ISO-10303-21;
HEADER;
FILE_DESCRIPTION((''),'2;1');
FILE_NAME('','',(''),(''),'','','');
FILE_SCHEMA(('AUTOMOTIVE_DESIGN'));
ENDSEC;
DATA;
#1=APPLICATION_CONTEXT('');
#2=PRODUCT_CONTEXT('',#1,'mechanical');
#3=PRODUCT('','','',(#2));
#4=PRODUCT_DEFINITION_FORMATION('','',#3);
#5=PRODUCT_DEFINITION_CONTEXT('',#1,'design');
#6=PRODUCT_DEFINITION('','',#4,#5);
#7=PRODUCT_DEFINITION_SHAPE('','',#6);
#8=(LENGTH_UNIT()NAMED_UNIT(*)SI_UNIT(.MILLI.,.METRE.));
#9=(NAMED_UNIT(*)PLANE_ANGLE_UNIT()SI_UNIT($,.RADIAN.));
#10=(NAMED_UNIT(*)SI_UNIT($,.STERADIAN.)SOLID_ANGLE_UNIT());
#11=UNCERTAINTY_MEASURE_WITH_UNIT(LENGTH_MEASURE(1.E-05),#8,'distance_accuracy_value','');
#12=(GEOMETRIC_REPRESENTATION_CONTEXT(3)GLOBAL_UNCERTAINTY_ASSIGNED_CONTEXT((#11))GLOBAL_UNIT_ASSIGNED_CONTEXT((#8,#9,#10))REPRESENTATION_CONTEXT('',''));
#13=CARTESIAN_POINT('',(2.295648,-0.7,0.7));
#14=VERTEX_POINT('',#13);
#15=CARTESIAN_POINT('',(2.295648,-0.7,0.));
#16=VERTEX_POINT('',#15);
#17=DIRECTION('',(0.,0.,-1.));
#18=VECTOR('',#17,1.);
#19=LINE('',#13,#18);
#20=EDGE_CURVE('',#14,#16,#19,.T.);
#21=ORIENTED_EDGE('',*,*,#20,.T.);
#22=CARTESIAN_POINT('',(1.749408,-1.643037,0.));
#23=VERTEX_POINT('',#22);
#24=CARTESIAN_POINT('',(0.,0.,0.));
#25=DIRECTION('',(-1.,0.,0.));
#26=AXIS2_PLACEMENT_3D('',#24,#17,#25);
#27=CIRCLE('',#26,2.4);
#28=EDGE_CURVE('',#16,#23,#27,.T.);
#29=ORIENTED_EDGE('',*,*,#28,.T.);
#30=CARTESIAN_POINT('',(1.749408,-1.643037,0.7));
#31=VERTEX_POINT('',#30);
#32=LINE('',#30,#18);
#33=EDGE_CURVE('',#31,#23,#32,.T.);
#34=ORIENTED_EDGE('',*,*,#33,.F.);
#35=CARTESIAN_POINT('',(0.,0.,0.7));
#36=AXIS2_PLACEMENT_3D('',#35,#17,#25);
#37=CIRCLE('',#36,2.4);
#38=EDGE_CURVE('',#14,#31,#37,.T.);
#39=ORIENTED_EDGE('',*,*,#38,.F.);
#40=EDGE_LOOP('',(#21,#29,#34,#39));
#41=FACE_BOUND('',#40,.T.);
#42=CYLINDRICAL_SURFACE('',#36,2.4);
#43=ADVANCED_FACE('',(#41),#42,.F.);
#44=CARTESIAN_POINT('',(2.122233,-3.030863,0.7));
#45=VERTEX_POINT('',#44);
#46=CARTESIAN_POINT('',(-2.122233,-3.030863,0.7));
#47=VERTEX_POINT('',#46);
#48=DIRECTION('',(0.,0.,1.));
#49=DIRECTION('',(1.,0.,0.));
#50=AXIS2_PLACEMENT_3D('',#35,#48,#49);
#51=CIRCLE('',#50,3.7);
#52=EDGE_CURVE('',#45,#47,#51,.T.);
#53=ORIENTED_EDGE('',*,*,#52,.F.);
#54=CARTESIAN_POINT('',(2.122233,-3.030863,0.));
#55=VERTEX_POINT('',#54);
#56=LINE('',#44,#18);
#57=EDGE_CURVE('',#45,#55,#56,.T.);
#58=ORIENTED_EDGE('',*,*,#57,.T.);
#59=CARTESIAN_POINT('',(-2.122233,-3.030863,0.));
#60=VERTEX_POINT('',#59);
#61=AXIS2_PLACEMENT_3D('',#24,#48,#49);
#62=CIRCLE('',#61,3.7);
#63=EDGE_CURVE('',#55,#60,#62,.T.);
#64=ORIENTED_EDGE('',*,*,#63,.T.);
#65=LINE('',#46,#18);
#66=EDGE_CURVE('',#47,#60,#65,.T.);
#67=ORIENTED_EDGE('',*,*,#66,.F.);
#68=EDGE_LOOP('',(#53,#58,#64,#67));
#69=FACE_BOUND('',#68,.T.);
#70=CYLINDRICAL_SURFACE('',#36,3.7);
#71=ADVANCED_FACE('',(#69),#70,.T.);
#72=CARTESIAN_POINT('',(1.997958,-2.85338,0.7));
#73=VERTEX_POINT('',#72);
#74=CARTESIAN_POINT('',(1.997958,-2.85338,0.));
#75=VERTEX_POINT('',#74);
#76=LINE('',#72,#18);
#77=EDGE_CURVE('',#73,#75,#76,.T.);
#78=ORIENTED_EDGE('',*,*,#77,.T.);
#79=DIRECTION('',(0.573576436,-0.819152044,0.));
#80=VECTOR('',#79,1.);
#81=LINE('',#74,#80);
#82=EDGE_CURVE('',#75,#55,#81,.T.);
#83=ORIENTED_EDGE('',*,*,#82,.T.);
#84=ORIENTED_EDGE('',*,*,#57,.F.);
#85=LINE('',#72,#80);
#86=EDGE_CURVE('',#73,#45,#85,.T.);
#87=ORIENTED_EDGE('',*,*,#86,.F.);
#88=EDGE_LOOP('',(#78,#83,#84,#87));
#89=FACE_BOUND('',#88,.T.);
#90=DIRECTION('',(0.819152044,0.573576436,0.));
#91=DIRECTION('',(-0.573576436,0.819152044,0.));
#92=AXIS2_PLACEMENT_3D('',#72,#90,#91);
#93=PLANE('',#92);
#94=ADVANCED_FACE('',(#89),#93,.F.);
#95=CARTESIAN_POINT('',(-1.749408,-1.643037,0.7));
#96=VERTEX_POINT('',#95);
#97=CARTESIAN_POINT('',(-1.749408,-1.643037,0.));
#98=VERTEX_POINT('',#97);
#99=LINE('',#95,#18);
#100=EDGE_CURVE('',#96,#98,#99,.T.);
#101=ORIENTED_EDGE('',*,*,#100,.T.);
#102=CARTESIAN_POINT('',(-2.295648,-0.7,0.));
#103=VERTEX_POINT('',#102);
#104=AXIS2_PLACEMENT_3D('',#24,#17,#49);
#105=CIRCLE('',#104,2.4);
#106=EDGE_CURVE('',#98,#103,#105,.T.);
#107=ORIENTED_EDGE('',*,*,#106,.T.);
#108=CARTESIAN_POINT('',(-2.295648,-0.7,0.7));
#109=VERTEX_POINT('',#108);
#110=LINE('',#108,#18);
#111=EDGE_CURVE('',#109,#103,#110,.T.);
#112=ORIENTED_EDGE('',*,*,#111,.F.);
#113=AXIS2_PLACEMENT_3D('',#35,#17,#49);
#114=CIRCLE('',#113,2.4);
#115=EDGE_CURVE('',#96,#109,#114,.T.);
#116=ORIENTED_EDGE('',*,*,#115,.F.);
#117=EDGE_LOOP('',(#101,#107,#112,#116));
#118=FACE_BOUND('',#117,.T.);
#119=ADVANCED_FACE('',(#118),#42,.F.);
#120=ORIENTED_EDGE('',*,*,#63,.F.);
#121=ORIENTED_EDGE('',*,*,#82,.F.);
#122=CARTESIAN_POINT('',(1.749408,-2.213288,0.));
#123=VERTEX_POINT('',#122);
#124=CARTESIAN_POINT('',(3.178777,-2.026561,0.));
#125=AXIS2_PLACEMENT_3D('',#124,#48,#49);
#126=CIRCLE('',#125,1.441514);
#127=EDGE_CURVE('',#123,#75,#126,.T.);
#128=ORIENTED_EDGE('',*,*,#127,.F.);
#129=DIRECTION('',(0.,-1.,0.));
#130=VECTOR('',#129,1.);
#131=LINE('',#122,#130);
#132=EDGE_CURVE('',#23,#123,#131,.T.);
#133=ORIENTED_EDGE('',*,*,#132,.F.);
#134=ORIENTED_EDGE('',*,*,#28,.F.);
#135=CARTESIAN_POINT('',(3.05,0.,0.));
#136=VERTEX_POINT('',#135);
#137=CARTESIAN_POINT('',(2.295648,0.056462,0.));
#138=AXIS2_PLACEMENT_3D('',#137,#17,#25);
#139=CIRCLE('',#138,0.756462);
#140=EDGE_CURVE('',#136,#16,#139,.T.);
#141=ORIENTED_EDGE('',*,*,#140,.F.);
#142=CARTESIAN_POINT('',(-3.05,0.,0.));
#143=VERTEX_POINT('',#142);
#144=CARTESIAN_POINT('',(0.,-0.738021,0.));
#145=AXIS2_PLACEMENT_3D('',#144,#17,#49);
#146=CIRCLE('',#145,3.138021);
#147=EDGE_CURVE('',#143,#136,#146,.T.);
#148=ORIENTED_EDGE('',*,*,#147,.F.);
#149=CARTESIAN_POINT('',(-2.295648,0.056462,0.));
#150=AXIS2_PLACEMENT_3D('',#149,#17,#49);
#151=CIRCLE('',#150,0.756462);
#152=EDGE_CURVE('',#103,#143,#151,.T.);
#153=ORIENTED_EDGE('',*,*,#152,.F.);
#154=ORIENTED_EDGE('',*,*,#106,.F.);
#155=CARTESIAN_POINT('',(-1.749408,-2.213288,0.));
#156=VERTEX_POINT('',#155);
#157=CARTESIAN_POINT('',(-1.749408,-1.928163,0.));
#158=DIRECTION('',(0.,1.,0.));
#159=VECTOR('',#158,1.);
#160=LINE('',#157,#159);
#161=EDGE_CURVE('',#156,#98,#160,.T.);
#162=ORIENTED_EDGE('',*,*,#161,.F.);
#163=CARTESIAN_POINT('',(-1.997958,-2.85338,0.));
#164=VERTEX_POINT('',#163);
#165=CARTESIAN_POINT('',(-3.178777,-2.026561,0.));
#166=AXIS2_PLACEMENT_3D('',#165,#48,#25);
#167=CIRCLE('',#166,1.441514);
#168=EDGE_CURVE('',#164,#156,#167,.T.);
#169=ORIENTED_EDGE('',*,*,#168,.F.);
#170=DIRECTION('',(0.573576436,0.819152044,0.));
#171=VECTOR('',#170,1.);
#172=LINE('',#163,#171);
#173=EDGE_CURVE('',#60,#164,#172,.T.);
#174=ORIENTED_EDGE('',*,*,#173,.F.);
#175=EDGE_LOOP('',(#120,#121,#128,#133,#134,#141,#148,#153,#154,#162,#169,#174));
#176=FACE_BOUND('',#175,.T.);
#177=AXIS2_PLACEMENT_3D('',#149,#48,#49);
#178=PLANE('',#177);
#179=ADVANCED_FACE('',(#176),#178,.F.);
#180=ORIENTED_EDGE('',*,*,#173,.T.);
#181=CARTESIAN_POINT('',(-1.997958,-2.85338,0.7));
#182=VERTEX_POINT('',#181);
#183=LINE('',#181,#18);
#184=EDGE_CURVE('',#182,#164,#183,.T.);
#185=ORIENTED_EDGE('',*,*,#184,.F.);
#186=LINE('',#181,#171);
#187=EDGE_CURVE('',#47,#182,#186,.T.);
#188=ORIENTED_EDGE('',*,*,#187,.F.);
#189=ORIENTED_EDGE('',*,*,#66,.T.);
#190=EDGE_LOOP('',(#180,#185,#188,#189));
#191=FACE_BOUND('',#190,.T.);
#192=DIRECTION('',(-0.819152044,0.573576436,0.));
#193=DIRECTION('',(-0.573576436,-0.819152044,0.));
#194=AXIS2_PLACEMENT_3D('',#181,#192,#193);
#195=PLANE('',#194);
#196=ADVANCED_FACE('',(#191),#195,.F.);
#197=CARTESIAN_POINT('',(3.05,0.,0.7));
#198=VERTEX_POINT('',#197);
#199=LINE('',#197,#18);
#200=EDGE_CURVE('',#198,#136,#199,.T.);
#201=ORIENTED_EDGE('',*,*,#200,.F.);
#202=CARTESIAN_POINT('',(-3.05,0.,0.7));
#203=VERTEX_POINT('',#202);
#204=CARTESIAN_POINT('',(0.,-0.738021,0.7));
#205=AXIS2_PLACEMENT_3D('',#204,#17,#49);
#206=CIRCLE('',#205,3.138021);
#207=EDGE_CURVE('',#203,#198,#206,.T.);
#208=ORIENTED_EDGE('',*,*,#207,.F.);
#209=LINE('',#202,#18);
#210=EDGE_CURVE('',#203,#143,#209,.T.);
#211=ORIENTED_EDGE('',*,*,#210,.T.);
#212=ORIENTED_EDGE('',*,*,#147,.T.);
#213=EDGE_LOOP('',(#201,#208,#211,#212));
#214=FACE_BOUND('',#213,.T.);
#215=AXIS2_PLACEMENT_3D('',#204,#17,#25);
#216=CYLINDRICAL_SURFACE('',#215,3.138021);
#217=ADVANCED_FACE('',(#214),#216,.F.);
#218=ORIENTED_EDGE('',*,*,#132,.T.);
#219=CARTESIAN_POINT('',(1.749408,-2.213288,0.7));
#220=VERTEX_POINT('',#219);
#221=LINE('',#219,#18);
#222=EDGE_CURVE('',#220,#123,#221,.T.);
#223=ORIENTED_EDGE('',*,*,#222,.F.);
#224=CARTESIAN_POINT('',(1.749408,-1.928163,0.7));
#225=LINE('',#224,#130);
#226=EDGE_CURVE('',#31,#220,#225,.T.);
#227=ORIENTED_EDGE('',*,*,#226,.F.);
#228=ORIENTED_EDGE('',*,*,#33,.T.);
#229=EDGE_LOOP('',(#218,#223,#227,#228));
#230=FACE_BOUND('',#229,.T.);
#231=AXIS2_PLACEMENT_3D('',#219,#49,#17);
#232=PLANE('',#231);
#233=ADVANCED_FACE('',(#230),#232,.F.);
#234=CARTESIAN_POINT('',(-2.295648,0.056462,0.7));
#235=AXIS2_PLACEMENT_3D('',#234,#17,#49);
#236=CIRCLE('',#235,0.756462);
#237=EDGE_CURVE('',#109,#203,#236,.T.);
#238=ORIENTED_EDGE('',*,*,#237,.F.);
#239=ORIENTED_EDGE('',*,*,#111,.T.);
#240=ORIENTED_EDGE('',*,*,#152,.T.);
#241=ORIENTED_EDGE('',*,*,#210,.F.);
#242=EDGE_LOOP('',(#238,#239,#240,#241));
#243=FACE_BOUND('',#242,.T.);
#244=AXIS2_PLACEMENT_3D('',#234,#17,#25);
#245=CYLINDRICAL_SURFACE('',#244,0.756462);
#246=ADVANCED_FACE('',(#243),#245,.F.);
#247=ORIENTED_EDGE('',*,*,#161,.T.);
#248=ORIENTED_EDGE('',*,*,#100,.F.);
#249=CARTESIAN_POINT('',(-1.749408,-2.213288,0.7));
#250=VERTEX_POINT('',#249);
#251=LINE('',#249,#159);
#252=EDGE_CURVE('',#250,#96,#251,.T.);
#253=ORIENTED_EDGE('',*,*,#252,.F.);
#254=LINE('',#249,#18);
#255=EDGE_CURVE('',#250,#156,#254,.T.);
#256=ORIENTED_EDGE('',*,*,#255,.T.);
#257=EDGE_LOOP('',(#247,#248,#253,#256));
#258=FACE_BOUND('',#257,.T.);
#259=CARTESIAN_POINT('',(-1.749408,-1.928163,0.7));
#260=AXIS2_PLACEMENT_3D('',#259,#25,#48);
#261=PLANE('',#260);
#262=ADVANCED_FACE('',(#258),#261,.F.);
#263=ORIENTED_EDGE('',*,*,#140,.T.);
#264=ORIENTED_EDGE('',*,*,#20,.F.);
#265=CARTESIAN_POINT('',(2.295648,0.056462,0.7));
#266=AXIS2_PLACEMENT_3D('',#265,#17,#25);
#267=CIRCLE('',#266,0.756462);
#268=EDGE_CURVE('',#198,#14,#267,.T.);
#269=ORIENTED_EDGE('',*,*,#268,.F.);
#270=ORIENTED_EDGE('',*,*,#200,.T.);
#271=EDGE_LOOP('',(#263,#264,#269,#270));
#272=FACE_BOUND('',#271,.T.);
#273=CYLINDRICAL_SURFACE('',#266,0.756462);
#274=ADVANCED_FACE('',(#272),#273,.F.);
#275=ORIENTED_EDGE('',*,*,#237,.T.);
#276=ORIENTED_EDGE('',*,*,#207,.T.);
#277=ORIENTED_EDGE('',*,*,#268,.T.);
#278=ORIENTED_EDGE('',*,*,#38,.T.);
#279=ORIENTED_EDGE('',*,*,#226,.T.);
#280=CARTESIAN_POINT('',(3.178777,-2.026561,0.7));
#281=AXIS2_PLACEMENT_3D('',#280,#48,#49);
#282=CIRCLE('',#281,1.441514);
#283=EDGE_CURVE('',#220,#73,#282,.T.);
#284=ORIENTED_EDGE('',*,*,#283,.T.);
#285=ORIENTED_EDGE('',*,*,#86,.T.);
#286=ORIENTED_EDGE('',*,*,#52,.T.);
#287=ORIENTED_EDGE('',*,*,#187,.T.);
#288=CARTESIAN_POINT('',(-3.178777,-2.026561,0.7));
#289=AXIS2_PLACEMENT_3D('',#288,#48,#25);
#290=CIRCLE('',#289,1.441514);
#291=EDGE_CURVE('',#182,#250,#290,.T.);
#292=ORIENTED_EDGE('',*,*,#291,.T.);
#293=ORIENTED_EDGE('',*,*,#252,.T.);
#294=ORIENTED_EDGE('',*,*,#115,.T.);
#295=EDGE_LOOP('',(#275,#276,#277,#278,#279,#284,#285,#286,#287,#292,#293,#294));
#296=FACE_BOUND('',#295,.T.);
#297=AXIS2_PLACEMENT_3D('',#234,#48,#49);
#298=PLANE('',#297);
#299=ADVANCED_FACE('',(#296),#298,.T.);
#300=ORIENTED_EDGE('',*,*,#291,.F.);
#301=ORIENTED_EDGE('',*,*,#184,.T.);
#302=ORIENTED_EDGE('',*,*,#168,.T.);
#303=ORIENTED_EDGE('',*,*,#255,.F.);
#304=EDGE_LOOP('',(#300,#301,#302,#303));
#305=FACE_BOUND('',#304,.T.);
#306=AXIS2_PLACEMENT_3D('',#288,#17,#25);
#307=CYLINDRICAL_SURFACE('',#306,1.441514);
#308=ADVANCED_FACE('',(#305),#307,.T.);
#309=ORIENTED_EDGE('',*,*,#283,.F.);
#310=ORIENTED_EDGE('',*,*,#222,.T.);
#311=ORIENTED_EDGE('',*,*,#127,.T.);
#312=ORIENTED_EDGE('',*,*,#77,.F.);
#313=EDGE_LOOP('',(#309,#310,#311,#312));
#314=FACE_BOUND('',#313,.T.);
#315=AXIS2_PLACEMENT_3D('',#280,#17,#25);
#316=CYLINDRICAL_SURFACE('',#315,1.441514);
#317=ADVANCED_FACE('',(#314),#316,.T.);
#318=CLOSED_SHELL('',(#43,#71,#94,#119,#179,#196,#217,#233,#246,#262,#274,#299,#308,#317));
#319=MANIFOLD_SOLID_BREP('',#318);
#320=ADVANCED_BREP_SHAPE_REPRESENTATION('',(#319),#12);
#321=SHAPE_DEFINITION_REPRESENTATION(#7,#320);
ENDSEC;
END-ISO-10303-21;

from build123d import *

# Parameters (mm, degrees)
BOSS_EXTRUDE1_DEPTH = 0.7


with BuildPart() as part:
    # Sketch2 → Boss-Extrude1 (new body)
    with BuildSketch(Plane.XY):
        with BuildLine():
            Line((-1.749408131, -2.213288218), (-1.749408131, -1.928162702))
            Line((-1.749408131, -1.928162702), (-1.749408131, -1.643037185))
            ThreePointArc((-1.749408131, -1.643037185), (-2.076764231, -1.202934049), (-2.295648057, -0.7))
            ThreePointArc((-2.295648057, -0.7), (-2.810198067, -0.498040533), (-3.05, 0))
            ThreePointArc((-3.05, 0), (0, 2.4), (3.05, 0))
            ThreePointArc((3.05, 0), (2.810198067, -0.498040533), (2.295648057, -0.7))
            ThreePointArc((2.295648057, -0.7), (2.076764231, -1.202934049), (1.749408131, -1.643037185))
            Line((1.749408131, -1.643037185), (1.749408131, -1.928162702))
            Line((1.749408131, -1.928162702), (1.749408131, -2.213288218))
            ThreePointArc((1.749408131, -2.213288218), (1.835013797, -2.54834932), (1.99795792, -2.853379621))
            Line((1.99795792, -2.853379621), (2.122232814, -3.030862564))
            ThreePointArc((2.122232814, -3.030862564), (0, 3.7), (-2.122232814, -3.030862564))
            Line((-2.122232814, -3.030862564), (-1.99795792, -2.853379621))
            ThreePointArc((-1.99795792, -2.853379621), (-1.835013797, -2.54834932), (-1.749408131, -2.213288218))
        make_face()
    extrude(amount=BOSS_EXTRUDE1_DEPTH)


solid = part.part
